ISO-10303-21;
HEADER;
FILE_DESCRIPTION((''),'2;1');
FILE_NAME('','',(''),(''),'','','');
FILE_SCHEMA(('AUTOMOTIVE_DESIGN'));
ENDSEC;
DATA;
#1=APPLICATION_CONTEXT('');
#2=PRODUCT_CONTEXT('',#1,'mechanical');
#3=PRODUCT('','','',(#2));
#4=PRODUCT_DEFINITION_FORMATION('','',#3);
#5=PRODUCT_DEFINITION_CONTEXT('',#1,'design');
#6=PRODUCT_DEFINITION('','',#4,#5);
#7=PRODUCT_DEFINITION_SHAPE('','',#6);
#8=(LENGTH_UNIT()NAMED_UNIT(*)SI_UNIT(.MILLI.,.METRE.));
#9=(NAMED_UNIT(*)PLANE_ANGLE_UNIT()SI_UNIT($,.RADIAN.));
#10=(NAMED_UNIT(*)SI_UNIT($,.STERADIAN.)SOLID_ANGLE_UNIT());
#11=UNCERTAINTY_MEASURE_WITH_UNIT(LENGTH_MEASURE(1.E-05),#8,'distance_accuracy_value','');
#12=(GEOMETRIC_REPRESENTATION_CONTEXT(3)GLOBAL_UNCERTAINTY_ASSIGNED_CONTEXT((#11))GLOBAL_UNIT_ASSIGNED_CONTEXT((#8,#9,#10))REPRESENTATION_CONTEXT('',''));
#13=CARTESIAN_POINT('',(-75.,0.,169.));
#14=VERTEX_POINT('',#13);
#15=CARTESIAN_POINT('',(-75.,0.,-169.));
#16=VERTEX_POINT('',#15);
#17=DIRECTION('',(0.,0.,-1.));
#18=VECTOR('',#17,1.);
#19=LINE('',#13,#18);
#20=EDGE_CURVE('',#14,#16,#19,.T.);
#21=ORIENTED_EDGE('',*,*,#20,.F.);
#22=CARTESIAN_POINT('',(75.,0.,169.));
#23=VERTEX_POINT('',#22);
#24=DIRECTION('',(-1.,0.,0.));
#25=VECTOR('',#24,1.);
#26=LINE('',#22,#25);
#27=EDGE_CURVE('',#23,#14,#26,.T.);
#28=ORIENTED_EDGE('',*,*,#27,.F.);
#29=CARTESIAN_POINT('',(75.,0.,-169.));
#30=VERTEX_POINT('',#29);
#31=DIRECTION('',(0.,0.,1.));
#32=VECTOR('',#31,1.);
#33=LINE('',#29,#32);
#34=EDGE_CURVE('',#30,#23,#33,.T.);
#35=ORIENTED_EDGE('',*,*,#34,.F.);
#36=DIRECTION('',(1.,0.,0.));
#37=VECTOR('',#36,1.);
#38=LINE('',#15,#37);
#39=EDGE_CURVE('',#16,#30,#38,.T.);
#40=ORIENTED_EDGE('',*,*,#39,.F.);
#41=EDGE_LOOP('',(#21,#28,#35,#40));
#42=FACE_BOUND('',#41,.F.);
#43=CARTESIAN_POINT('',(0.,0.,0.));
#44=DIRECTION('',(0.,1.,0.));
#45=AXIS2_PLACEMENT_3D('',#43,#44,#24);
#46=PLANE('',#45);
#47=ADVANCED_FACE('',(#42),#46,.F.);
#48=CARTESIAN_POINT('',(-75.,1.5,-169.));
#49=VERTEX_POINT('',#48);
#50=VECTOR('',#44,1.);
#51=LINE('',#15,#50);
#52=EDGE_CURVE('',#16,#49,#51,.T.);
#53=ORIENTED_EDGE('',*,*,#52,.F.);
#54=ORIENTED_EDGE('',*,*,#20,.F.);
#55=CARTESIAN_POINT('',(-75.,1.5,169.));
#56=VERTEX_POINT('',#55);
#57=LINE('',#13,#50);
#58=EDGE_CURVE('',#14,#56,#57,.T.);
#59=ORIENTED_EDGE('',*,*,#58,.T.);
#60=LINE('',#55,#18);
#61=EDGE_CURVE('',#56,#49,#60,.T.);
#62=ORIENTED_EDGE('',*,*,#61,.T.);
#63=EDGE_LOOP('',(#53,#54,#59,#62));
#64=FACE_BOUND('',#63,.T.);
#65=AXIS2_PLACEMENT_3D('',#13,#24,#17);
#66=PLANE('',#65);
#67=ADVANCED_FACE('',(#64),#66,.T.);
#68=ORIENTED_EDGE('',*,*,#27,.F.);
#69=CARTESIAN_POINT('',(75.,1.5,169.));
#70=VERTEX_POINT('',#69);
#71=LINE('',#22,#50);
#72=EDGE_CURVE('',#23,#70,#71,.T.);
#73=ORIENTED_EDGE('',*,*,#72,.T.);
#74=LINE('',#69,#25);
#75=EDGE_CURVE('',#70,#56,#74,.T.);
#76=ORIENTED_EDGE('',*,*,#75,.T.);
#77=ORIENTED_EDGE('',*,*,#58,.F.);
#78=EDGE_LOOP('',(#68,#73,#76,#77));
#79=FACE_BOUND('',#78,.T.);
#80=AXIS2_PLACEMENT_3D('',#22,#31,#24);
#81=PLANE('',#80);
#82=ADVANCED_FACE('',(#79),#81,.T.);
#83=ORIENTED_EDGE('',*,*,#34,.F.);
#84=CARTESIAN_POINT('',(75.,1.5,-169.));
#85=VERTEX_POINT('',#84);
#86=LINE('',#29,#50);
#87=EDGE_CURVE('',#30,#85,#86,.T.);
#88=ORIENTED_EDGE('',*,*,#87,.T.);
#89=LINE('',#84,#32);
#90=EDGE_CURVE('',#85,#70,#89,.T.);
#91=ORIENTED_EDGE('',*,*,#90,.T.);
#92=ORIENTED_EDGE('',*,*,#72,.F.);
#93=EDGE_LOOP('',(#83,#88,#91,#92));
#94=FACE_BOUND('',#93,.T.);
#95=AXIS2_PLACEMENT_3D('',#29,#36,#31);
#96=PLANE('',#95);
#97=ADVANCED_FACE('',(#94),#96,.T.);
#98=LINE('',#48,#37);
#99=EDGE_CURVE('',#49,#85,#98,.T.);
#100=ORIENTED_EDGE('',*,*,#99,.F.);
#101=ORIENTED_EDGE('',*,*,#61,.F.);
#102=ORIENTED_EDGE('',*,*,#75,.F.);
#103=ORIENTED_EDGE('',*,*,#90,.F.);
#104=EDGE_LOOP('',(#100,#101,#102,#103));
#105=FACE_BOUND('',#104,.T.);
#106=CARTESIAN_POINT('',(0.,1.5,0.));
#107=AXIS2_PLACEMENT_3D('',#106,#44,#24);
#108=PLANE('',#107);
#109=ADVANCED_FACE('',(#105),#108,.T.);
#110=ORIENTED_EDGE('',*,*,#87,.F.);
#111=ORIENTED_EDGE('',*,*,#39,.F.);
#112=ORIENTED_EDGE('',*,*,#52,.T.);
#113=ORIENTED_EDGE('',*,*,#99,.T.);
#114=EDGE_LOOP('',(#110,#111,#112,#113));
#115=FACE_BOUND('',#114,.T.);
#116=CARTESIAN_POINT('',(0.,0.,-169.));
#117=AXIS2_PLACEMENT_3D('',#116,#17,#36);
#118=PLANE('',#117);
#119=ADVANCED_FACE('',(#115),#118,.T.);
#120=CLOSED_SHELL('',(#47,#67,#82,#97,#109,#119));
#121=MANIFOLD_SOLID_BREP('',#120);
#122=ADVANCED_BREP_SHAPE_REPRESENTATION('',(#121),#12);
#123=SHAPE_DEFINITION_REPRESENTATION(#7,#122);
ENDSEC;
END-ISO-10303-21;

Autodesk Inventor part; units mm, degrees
ref_plane "YZ Plane" through (0, 0, 0) normal (1, 0, 0) x (0, 1, 0)
ref_plane "XZ Plane" through (0, 0, 0) normal (0, 1, 0) x (-1, 0, 0)
ref_plane "XY Plane" through (0, 0, 0) normal (0, 0, 1) x (1, 0, 0)
sketch "Sketch1" plane through (0, 0, 0) normal (0, 1, 0) x (-1, 0, 0)
  line L0 (0, 110) -> (0, -110) construction
  line L1 (-59, 110) -> (-59, -110)
  line L2 (59, -110) -> (59, 110)
  arc A0 (59, 110) -> (-59, 110) centre (0, 110) ccw
  arc A1 (-59, -110) -> (59, -110) centre (0, -110) ccw
  line L3 (-75, 169) -> (75, 169)
  line L4 (75, 169) -> (75, -169)
  line L5 (75, -169) -> (-75, -169)
  line L6 (-75, -169) -> (-75, 169)
  line L7 (-75, 169) -> (75, -169) construction
  line L8 (75, 169) -> (-75, -169) construction
  point P0 (0, 0)
  point P1 (0, -169)
  point P2 (0, 169)
  dimension "d0" = 118
  dimension "d1" = 220
  dimension "d4" = 150
extrude "Extrusion1" add sketch "Sketch1" along normal blind 1.5
properties part number "COMPUERTA_ALUMINIO" material "Steel, Mild, Welded"
